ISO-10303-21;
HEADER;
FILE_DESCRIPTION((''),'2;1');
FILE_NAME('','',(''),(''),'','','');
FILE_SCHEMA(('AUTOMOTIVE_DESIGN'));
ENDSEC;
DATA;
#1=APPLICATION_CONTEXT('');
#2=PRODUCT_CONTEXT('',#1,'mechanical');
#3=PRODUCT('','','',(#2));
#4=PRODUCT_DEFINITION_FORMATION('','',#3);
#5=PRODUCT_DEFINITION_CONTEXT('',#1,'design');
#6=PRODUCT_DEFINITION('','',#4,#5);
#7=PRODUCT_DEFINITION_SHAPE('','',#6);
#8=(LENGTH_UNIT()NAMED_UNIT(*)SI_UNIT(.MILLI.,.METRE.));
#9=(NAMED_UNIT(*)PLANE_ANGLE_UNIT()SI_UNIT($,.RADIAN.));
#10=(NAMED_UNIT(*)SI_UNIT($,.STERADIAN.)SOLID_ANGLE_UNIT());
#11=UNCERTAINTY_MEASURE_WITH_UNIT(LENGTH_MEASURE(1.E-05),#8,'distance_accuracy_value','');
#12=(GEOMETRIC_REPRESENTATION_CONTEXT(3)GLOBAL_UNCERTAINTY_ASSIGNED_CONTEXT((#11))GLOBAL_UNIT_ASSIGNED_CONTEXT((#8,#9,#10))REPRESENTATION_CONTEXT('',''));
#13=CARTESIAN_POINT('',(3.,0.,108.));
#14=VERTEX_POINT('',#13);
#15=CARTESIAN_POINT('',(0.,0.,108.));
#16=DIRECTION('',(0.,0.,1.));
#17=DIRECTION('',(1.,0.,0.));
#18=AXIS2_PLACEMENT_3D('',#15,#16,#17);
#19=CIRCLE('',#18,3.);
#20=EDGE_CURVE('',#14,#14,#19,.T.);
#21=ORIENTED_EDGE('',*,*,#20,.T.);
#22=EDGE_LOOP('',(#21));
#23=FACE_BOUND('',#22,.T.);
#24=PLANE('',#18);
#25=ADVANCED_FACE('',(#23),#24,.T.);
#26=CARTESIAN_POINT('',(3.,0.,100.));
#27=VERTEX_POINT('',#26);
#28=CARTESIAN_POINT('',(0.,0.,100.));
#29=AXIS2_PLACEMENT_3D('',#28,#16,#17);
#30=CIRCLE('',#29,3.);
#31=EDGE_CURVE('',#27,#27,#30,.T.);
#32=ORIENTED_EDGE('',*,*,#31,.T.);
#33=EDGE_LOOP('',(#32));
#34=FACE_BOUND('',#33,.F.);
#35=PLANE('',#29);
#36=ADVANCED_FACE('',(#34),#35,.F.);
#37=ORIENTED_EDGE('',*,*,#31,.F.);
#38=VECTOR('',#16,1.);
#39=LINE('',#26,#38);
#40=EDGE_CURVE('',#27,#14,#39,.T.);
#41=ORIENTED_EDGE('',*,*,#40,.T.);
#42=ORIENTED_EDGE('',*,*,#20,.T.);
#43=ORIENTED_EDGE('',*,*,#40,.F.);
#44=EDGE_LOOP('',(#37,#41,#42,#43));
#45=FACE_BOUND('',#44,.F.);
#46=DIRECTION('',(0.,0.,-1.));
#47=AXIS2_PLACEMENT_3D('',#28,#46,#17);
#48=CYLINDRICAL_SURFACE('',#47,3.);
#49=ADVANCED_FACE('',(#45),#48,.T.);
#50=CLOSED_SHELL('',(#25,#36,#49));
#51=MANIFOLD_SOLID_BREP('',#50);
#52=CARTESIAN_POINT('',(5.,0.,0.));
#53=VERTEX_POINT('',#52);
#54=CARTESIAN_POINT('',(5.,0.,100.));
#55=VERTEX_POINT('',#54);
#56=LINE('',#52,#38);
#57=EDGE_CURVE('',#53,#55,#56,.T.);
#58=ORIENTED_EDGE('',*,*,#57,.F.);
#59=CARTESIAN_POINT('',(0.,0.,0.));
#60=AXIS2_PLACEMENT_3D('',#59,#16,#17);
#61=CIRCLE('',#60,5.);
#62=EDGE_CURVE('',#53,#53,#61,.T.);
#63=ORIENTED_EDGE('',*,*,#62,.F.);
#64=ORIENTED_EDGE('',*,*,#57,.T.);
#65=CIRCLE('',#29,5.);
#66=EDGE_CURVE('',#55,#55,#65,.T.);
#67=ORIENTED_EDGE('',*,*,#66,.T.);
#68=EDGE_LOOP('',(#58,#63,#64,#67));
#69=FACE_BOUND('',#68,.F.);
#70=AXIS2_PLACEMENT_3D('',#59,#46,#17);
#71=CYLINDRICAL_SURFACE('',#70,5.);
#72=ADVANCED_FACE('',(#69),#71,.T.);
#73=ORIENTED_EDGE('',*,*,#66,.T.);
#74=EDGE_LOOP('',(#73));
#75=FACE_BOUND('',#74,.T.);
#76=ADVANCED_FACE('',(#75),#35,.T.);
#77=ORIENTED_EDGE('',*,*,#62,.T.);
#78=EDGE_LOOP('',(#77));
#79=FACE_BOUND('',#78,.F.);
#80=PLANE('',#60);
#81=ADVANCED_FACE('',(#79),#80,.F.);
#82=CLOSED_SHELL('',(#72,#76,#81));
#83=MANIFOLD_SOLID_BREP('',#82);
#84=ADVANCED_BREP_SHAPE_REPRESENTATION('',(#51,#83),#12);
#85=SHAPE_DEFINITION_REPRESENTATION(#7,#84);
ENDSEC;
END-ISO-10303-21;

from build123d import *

# Parameters (mm, degrees)
SKETCH1_BP_R     = 5
EXTRUSION1_DEPTH = 100
SKETCH3_BP_R     = 3
EXTRUSION2_DEPTH = 8


with BuildPart() as extrusion1:
    # Sketch1_bp → Extrusion1 (new body)
    with BuildSketch(Plane.XY):
        Circle(SKETCH1_BP_R)
    extrude(amount=EXTRUSION1_DEPTH)


with BuildPart() as extrusion2:
    # Sketch3_bp → Extrusion2 (new body)
    with BuildSketch(Plane.XY.offset(100)):
        Circle(SKETCH3_BP_R)
    extrude(amount=EXTRUSION2_DEPTH)


solid = Compound([extrusion1.part, extrusion2.part])
